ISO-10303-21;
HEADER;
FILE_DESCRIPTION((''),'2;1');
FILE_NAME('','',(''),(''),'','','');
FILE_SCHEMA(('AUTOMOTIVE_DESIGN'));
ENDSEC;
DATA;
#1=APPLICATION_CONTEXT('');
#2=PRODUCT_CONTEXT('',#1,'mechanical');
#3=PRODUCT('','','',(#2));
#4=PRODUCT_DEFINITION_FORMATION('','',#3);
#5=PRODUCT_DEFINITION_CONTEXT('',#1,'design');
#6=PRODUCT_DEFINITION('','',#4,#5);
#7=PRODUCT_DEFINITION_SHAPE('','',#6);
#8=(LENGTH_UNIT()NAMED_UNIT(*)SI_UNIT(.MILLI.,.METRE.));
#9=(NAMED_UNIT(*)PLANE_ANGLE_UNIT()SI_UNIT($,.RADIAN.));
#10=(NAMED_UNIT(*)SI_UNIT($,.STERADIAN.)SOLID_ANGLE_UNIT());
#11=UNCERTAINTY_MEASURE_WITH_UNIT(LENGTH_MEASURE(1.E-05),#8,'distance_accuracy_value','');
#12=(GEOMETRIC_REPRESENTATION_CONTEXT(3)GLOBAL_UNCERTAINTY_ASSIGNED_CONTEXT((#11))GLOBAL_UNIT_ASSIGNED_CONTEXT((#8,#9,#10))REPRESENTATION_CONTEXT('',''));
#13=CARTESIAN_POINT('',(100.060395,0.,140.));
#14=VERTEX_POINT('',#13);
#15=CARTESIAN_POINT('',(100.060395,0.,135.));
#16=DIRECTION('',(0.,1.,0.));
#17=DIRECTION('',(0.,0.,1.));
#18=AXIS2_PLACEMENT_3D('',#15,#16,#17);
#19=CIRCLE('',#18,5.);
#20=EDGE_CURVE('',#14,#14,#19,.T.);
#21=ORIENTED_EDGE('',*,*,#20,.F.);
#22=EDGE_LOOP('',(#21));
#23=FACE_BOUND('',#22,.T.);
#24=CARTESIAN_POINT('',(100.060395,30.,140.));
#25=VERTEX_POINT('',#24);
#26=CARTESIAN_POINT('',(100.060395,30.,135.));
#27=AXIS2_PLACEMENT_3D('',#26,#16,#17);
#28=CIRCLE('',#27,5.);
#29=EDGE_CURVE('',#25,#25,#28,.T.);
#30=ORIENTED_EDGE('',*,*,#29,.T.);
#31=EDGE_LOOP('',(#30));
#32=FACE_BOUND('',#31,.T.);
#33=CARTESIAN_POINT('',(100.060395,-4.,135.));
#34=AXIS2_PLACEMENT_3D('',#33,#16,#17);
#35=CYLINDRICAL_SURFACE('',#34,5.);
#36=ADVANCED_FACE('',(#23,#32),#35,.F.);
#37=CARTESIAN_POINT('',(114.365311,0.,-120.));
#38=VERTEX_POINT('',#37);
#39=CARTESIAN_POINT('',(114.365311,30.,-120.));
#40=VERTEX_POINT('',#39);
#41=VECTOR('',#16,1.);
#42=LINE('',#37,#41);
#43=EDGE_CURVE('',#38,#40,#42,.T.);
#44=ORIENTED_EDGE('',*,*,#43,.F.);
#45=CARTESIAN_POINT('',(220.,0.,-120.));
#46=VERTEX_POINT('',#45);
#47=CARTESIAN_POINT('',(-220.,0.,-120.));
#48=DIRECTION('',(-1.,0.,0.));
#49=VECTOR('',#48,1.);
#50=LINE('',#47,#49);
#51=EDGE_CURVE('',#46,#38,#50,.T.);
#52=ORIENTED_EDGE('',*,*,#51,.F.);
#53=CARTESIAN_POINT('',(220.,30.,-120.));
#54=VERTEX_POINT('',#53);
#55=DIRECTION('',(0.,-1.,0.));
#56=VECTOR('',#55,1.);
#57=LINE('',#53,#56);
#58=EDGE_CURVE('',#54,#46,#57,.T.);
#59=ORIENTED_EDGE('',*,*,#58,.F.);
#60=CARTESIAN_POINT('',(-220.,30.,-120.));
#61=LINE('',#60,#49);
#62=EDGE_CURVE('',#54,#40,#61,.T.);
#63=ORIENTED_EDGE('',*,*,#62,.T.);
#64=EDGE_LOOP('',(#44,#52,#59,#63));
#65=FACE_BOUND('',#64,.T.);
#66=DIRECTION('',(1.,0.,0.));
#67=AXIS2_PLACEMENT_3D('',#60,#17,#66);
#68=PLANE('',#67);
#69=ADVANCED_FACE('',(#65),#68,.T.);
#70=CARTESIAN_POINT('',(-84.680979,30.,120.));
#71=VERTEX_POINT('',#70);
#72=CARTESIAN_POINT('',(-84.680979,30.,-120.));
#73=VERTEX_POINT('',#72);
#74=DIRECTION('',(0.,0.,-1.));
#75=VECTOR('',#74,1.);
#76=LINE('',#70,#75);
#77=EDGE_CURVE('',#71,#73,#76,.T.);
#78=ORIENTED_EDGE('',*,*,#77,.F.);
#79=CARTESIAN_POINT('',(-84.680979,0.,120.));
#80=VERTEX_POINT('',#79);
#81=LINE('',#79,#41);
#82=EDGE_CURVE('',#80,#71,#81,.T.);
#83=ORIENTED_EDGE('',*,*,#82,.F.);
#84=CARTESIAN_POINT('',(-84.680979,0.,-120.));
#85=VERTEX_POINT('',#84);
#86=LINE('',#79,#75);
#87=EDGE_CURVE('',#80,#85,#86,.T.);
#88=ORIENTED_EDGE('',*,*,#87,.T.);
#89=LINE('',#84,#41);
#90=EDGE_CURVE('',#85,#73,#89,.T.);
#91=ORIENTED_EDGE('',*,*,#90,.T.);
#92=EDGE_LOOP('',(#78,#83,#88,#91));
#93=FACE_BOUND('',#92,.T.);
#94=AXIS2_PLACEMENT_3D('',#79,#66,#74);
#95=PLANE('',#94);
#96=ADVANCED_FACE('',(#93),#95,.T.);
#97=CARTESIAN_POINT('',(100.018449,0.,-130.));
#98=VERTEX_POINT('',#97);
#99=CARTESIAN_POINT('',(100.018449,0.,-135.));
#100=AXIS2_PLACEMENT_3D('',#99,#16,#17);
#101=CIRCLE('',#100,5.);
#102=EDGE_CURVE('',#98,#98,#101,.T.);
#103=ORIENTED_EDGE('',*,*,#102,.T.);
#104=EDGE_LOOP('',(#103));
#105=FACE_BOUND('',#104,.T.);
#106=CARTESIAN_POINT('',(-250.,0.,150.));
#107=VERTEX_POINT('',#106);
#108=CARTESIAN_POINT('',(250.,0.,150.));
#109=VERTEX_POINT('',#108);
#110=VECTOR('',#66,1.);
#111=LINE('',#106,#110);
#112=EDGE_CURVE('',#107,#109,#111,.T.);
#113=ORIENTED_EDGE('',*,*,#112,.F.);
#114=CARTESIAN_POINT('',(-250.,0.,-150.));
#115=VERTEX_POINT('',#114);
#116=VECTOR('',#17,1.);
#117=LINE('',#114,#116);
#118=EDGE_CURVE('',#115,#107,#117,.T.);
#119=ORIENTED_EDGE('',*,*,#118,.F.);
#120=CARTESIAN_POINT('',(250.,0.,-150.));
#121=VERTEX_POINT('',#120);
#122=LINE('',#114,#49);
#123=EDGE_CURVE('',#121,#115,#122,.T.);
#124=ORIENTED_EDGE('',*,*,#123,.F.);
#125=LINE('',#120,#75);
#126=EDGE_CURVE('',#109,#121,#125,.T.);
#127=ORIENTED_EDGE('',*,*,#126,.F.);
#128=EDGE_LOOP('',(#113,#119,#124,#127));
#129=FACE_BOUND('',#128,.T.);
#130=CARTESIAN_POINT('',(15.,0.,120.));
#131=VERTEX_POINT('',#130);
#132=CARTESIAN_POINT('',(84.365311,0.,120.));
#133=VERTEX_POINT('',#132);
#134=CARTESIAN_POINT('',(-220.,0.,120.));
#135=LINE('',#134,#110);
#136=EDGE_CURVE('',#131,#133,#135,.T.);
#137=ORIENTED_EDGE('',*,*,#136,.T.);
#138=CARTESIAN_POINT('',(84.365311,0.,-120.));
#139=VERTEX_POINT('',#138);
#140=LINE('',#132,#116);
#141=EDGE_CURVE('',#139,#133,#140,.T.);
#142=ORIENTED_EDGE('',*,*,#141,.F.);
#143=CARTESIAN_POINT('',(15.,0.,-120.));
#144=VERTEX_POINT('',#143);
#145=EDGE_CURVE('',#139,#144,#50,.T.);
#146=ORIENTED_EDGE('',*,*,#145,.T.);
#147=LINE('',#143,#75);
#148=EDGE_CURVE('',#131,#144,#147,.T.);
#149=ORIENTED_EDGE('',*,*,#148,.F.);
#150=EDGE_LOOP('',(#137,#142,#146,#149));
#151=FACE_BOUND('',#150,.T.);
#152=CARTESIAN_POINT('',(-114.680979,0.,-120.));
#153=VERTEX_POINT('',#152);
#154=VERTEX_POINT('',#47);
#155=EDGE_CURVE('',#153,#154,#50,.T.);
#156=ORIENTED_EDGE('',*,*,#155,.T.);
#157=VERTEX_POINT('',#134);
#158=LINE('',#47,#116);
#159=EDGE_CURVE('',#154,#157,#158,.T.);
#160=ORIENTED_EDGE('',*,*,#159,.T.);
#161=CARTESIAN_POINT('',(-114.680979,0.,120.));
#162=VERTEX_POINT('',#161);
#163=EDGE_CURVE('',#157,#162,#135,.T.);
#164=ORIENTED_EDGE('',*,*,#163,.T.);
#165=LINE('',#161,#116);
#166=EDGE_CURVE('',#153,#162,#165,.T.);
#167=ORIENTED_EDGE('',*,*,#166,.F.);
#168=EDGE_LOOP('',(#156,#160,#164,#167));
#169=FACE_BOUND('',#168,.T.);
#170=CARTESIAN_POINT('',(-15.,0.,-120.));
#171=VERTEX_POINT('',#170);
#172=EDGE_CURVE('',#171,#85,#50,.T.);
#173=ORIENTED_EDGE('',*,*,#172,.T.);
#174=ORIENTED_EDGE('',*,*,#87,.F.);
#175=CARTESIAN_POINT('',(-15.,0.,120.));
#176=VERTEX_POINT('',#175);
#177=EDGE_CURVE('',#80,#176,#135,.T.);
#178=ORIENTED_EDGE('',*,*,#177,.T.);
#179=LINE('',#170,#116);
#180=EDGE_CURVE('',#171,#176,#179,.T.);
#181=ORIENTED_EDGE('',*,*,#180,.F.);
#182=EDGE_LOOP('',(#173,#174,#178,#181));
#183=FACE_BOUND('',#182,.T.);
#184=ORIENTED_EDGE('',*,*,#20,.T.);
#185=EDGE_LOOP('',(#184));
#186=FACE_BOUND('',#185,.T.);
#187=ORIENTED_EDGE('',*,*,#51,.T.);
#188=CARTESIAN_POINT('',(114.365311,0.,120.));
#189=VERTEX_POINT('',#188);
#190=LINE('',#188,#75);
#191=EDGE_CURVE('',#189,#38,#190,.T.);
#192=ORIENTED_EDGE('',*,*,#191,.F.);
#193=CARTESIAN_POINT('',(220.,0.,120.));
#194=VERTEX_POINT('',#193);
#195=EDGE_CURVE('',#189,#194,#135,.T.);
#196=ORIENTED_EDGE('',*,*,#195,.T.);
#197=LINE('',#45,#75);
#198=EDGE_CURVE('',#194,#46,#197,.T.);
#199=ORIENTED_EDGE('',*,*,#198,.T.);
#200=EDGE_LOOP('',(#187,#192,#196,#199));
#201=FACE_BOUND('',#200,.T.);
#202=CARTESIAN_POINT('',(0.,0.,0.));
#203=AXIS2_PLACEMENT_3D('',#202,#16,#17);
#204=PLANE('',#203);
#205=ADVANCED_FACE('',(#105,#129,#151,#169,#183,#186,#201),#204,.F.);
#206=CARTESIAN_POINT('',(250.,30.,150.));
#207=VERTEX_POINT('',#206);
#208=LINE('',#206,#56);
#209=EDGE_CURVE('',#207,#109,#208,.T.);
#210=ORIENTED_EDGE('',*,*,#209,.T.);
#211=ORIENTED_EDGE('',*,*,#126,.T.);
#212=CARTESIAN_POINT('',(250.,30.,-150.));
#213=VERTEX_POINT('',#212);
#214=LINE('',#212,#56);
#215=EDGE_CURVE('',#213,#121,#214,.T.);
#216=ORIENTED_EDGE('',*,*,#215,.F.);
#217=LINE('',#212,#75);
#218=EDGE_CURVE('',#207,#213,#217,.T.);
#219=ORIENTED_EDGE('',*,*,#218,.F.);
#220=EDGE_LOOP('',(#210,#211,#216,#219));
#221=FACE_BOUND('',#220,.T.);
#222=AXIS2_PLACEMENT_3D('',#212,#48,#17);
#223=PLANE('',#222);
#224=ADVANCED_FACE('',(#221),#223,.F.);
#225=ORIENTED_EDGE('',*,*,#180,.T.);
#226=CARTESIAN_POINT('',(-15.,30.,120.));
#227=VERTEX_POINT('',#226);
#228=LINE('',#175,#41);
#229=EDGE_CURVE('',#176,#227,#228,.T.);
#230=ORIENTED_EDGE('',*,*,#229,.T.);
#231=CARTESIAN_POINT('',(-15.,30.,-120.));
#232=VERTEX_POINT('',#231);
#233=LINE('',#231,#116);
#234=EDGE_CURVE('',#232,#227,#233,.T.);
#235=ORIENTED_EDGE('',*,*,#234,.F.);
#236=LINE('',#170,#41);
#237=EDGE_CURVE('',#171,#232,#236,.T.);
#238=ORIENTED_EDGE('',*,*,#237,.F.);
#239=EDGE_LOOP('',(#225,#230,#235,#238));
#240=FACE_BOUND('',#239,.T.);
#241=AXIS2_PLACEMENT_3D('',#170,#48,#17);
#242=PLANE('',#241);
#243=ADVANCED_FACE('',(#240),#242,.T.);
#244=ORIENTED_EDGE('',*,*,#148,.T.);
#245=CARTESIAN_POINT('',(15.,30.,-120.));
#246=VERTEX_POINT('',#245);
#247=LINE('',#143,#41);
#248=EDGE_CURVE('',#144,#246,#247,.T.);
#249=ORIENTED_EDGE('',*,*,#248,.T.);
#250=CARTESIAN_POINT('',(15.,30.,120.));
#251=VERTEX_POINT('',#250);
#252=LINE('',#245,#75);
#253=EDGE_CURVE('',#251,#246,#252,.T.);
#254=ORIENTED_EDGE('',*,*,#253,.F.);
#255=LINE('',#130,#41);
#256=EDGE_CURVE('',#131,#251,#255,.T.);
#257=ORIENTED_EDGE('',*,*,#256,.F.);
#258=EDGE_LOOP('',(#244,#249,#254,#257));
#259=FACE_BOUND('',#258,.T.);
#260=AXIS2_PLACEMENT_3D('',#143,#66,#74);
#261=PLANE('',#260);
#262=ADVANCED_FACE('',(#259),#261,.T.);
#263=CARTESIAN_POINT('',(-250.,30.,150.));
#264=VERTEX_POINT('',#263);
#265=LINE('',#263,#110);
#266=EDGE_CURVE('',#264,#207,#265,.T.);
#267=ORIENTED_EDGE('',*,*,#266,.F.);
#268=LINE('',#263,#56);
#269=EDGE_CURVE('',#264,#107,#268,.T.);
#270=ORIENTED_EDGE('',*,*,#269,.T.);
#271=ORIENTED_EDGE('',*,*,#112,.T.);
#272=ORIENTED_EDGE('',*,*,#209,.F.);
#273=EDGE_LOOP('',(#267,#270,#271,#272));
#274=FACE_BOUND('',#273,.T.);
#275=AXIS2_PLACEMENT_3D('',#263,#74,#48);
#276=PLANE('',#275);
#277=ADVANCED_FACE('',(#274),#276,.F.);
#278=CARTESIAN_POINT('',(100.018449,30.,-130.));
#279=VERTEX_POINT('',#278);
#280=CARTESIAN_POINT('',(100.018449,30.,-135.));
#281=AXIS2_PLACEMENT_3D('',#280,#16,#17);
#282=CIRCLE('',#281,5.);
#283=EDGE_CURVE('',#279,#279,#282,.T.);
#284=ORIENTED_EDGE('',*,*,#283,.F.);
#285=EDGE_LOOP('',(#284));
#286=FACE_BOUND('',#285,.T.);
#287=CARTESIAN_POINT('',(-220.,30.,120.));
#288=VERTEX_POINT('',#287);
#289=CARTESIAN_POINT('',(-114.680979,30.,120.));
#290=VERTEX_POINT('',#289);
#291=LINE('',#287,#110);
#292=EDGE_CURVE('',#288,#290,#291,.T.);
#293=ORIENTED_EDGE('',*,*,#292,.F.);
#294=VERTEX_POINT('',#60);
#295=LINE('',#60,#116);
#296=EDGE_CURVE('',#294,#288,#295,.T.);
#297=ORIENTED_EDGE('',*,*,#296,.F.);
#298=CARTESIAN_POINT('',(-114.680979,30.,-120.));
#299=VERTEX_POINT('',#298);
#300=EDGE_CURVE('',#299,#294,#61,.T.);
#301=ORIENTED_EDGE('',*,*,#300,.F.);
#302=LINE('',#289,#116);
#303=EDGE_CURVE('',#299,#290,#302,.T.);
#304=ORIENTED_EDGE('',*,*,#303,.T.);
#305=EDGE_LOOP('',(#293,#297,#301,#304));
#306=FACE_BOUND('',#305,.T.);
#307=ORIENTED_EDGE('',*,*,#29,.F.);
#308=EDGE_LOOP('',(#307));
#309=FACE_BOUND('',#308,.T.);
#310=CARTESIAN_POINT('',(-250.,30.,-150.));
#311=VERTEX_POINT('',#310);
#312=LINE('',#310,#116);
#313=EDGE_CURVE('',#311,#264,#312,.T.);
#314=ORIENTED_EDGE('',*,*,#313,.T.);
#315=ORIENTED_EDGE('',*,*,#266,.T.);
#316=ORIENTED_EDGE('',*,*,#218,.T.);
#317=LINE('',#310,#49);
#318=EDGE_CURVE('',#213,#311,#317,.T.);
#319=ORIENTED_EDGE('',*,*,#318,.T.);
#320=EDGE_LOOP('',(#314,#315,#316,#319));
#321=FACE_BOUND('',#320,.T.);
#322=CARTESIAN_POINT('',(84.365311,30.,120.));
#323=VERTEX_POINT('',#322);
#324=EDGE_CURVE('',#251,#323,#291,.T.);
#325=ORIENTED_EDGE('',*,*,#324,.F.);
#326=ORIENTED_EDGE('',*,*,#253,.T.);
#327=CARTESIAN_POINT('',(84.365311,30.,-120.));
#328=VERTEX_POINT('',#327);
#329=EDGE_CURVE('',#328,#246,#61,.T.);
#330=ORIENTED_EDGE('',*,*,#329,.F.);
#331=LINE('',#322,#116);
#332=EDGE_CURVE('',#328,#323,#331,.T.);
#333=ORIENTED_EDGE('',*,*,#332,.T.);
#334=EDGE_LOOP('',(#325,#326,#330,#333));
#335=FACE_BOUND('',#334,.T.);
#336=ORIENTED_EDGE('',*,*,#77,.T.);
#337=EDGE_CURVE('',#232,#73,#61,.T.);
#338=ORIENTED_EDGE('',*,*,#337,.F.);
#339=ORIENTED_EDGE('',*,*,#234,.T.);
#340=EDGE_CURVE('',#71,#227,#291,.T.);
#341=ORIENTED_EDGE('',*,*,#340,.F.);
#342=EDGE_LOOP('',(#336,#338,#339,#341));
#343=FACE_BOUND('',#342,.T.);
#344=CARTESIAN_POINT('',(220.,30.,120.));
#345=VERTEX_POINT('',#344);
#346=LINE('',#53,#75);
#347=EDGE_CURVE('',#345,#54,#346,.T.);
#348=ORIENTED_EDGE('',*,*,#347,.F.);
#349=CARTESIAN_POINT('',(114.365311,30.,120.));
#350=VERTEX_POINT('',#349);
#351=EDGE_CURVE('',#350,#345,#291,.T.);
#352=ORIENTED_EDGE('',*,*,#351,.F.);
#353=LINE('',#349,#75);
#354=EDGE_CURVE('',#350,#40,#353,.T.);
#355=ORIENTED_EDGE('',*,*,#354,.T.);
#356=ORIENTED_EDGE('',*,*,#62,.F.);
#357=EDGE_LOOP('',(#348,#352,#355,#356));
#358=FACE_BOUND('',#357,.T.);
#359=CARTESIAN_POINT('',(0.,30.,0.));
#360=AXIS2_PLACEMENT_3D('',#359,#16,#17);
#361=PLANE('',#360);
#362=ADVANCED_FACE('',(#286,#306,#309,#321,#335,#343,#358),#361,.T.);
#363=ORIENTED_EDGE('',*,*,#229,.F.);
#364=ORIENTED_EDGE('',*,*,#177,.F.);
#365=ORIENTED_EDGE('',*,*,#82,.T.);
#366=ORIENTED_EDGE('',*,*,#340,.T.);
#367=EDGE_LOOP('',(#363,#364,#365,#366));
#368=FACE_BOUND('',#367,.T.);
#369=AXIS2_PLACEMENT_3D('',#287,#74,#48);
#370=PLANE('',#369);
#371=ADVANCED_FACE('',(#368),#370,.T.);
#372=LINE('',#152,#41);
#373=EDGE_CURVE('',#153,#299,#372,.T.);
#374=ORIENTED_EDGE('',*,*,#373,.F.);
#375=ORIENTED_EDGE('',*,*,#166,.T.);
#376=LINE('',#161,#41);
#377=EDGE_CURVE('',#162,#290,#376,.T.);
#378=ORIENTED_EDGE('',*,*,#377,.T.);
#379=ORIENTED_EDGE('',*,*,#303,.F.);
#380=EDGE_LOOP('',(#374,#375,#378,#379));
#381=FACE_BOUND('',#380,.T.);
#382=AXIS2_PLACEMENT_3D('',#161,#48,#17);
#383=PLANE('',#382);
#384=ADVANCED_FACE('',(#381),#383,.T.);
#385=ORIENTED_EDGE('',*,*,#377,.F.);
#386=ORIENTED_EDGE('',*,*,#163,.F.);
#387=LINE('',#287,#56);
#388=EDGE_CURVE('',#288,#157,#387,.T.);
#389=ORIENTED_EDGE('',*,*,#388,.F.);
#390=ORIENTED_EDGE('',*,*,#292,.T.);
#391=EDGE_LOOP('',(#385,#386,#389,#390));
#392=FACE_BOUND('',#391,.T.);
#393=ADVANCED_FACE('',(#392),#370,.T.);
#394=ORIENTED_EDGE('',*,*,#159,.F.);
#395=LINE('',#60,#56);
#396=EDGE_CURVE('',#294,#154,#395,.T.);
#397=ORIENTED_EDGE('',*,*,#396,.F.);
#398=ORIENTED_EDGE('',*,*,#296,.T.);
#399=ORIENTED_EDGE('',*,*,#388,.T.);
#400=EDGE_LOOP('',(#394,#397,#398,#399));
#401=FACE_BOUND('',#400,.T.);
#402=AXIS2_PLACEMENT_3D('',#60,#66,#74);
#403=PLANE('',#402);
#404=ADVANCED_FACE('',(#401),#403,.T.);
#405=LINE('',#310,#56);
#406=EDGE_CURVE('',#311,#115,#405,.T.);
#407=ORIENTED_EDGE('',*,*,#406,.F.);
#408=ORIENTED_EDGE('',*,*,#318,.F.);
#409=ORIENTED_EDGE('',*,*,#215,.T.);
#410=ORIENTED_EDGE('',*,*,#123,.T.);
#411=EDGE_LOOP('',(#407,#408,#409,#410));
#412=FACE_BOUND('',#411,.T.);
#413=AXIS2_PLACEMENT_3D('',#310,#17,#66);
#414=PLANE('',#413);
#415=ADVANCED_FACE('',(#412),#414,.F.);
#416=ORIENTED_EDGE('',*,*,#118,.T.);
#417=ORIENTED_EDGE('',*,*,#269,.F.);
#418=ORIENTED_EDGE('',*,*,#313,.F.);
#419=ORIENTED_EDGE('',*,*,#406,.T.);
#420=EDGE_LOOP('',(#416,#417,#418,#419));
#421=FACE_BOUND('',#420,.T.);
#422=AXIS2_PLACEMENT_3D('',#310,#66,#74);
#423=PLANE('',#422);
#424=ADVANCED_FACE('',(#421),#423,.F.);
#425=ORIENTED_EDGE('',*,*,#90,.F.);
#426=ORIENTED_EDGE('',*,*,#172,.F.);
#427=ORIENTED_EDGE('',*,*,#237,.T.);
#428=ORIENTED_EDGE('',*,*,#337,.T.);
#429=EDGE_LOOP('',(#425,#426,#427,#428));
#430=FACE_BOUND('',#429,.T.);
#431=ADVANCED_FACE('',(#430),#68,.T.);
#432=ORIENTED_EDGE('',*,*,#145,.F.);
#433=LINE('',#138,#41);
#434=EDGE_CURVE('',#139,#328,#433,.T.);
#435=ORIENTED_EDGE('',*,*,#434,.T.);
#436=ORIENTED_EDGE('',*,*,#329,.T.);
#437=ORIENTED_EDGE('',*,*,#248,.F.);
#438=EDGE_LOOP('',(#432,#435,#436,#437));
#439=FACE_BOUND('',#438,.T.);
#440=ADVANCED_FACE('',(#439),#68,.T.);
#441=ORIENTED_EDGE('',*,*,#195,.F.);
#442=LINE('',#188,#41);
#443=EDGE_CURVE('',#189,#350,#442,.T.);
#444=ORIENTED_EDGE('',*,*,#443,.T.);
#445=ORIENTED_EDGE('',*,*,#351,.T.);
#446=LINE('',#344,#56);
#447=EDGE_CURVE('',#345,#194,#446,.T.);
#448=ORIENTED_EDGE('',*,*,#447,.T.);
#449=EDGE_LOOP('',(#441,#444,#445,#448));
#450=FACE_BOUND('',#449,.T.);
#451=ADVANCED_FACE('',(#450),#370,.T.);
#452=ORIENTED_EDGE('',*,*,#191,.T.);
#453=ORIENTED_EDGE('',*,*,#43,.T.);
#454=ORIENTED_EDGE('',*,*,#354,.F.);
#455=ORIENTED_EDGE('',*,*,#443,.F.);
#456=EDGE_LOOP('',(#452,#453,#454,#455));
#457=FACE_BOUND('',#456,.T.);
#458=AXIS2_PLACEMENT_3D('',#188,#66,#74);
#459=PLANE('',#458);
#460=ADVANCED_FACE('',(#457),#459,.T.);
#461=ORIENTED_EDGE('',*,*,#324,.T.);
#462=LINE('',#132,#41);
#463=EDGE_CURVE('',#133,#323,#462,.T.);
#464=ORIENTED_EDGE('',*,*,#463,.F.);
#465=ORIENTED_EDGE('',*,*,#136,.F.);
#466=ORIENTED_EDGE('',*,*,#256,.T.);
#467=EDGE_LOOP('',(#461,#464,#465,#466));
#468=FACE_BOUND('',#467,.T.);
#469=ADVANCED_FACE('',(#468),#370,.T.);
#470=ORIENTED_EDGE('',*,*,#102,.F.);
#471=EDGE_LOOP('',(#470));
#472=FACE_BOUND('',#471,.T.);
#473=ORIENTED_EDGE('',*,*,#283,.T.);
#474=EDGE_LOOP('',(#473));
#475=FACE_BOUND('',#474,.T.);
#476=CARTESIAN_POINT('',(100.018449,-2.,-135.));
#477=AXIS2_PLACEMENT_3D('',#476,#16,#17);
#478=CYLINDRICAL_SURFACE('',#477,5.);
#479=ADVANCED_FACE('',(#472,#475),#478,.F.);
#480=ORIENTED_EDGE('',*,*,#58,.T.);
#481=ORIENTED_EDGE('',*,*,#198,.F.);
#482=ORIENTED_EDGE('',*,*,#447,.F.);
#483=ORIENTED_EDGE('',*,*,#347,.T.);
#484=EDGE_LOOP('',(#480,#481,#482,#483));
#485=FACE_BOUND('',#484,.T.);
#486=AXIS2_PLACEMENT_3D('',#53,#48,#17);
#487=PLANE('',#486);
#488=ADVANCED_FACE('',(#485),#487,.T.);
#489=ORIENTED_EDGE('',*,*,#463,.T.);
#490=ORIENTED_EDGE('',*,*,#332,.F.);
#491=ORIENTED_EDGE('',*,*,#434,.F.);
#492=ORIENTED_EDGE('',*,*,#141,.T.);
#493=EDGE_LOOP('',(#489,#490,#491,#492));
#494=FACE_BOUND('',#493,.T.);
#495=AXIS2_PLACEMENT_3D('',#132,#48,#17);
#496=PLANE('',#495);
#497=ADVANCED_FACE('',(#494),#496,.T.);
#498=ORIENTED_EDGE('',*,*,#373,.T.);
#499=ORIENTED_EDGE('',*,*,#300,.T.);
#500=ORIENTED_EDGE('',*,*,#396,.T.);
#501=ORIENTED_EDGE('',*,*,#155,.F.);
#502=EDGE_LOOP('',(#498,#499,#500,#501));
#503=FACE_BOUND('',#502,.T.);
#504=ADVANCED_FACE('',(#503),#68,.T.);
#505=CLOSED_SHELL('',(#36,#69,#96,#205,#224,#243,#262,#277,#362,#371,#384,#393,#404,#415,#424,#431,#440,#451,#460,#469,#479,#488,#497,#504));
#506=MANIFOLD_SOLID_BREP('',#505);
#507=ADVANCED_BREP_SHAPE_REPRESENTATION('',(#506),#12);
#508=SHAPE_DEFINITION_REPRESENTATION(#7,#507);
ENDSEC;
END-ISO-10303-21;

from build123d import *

# Parameters (mm, degrees)
SKETCH2_W           = 500
SKETCH2_H           = 300
SKETCH2_W_2         = 440
SKETCH2_H_2         = 240
BOSS_EXTRUDE1_DEPTH = 30
SKETCH3_W           = 30
SKETCH3_H           = 240
BOSS_EXTRUDE2_DEPTH = 30
SKETCH4_W           = 30
SKETCH4_H           = 240
BOSS_EXTRUDE3_DEPTH = 30
SKETCH8_R           = 5
CUT_EXTRUDE1_DEPTH  = 32
SKETCH9_R           = 5
CUT_EXTRUDE2_DEPTH  = 34


with BuildPart() as part:
    # Sketch2 → Boss-Extrude1 (new body)
    with BuildSketch(Plane(origin=(0, 0, 0), x_dir=(1, 0, 0), z_dir=(0, 1, 0))):
        Rectangle(SKETCH2_W, SKETCH2_H)
        Rectangle(SKETCH2_W_2, SKETCH2_H_2, mode=Mode.SUBTRACT)
    extrude(amount=BOSS_EXTRUDE1_DEPTH)

    # Sketch3 → Boss-Extrude2 (add)
    with BuildSketch(Plane(origin=(0, 30, 0), x_dir=(1, 0, 0), z_dir=(0, 1, 0))):
        Rectangle(SKETCH3_W, SKETCH3_H)
    extrude(amount=-BOSS_EXTRUDE2_DEPTH)

    # Sketch4 → Boss-Extrude3 (add)
    with BuildSketch(Plane(origin=(0, 30, 0), x_dir=(1, 0, 0), z_dir=(0, 1, 0))):
        with Locations((-99.680978572, 0)):
            Rectangle(SKETCH4_W, SKETCH4_H)
        with Locations((99.36531106, 0)):
            Rectangle(SKETCH4_W, SKETCH4_H)
    extrude(amount=-BOSS_EXTRUDE3_DEPTH)

    # Sketch8 → Cut-Extrude1 (cut)
    with BuildSketch(Plane(origin=(0, 30, 0), x_dir=(1, 0, 0), z_dir=(0, 1, 0))):
        with Locations(Location((100.018449151, 135, 0), (0, 0, 270))):
            Circle(SKETCH8_R)
    extrude(amount=-CUT_EXTRUDE1_DEPTH, mode=Mode.SUBTRACT)

    # Sketch9 → Cut-Extrude2 (cut)
    with BuildSketch(Plane(origin=(0, 30, 0), x_dir=(1, 0, 0), z_dir=(0, 1, 0))):
        with Locations(Location((100.060395289, -135, 0), (0, 0, 270))):
            Circle(SKETCH9_R)
    extrude(amount=-CUT_EXTRUDE2_DEPTH, mode=Mode.SUBTRACT)


solid = part.part
